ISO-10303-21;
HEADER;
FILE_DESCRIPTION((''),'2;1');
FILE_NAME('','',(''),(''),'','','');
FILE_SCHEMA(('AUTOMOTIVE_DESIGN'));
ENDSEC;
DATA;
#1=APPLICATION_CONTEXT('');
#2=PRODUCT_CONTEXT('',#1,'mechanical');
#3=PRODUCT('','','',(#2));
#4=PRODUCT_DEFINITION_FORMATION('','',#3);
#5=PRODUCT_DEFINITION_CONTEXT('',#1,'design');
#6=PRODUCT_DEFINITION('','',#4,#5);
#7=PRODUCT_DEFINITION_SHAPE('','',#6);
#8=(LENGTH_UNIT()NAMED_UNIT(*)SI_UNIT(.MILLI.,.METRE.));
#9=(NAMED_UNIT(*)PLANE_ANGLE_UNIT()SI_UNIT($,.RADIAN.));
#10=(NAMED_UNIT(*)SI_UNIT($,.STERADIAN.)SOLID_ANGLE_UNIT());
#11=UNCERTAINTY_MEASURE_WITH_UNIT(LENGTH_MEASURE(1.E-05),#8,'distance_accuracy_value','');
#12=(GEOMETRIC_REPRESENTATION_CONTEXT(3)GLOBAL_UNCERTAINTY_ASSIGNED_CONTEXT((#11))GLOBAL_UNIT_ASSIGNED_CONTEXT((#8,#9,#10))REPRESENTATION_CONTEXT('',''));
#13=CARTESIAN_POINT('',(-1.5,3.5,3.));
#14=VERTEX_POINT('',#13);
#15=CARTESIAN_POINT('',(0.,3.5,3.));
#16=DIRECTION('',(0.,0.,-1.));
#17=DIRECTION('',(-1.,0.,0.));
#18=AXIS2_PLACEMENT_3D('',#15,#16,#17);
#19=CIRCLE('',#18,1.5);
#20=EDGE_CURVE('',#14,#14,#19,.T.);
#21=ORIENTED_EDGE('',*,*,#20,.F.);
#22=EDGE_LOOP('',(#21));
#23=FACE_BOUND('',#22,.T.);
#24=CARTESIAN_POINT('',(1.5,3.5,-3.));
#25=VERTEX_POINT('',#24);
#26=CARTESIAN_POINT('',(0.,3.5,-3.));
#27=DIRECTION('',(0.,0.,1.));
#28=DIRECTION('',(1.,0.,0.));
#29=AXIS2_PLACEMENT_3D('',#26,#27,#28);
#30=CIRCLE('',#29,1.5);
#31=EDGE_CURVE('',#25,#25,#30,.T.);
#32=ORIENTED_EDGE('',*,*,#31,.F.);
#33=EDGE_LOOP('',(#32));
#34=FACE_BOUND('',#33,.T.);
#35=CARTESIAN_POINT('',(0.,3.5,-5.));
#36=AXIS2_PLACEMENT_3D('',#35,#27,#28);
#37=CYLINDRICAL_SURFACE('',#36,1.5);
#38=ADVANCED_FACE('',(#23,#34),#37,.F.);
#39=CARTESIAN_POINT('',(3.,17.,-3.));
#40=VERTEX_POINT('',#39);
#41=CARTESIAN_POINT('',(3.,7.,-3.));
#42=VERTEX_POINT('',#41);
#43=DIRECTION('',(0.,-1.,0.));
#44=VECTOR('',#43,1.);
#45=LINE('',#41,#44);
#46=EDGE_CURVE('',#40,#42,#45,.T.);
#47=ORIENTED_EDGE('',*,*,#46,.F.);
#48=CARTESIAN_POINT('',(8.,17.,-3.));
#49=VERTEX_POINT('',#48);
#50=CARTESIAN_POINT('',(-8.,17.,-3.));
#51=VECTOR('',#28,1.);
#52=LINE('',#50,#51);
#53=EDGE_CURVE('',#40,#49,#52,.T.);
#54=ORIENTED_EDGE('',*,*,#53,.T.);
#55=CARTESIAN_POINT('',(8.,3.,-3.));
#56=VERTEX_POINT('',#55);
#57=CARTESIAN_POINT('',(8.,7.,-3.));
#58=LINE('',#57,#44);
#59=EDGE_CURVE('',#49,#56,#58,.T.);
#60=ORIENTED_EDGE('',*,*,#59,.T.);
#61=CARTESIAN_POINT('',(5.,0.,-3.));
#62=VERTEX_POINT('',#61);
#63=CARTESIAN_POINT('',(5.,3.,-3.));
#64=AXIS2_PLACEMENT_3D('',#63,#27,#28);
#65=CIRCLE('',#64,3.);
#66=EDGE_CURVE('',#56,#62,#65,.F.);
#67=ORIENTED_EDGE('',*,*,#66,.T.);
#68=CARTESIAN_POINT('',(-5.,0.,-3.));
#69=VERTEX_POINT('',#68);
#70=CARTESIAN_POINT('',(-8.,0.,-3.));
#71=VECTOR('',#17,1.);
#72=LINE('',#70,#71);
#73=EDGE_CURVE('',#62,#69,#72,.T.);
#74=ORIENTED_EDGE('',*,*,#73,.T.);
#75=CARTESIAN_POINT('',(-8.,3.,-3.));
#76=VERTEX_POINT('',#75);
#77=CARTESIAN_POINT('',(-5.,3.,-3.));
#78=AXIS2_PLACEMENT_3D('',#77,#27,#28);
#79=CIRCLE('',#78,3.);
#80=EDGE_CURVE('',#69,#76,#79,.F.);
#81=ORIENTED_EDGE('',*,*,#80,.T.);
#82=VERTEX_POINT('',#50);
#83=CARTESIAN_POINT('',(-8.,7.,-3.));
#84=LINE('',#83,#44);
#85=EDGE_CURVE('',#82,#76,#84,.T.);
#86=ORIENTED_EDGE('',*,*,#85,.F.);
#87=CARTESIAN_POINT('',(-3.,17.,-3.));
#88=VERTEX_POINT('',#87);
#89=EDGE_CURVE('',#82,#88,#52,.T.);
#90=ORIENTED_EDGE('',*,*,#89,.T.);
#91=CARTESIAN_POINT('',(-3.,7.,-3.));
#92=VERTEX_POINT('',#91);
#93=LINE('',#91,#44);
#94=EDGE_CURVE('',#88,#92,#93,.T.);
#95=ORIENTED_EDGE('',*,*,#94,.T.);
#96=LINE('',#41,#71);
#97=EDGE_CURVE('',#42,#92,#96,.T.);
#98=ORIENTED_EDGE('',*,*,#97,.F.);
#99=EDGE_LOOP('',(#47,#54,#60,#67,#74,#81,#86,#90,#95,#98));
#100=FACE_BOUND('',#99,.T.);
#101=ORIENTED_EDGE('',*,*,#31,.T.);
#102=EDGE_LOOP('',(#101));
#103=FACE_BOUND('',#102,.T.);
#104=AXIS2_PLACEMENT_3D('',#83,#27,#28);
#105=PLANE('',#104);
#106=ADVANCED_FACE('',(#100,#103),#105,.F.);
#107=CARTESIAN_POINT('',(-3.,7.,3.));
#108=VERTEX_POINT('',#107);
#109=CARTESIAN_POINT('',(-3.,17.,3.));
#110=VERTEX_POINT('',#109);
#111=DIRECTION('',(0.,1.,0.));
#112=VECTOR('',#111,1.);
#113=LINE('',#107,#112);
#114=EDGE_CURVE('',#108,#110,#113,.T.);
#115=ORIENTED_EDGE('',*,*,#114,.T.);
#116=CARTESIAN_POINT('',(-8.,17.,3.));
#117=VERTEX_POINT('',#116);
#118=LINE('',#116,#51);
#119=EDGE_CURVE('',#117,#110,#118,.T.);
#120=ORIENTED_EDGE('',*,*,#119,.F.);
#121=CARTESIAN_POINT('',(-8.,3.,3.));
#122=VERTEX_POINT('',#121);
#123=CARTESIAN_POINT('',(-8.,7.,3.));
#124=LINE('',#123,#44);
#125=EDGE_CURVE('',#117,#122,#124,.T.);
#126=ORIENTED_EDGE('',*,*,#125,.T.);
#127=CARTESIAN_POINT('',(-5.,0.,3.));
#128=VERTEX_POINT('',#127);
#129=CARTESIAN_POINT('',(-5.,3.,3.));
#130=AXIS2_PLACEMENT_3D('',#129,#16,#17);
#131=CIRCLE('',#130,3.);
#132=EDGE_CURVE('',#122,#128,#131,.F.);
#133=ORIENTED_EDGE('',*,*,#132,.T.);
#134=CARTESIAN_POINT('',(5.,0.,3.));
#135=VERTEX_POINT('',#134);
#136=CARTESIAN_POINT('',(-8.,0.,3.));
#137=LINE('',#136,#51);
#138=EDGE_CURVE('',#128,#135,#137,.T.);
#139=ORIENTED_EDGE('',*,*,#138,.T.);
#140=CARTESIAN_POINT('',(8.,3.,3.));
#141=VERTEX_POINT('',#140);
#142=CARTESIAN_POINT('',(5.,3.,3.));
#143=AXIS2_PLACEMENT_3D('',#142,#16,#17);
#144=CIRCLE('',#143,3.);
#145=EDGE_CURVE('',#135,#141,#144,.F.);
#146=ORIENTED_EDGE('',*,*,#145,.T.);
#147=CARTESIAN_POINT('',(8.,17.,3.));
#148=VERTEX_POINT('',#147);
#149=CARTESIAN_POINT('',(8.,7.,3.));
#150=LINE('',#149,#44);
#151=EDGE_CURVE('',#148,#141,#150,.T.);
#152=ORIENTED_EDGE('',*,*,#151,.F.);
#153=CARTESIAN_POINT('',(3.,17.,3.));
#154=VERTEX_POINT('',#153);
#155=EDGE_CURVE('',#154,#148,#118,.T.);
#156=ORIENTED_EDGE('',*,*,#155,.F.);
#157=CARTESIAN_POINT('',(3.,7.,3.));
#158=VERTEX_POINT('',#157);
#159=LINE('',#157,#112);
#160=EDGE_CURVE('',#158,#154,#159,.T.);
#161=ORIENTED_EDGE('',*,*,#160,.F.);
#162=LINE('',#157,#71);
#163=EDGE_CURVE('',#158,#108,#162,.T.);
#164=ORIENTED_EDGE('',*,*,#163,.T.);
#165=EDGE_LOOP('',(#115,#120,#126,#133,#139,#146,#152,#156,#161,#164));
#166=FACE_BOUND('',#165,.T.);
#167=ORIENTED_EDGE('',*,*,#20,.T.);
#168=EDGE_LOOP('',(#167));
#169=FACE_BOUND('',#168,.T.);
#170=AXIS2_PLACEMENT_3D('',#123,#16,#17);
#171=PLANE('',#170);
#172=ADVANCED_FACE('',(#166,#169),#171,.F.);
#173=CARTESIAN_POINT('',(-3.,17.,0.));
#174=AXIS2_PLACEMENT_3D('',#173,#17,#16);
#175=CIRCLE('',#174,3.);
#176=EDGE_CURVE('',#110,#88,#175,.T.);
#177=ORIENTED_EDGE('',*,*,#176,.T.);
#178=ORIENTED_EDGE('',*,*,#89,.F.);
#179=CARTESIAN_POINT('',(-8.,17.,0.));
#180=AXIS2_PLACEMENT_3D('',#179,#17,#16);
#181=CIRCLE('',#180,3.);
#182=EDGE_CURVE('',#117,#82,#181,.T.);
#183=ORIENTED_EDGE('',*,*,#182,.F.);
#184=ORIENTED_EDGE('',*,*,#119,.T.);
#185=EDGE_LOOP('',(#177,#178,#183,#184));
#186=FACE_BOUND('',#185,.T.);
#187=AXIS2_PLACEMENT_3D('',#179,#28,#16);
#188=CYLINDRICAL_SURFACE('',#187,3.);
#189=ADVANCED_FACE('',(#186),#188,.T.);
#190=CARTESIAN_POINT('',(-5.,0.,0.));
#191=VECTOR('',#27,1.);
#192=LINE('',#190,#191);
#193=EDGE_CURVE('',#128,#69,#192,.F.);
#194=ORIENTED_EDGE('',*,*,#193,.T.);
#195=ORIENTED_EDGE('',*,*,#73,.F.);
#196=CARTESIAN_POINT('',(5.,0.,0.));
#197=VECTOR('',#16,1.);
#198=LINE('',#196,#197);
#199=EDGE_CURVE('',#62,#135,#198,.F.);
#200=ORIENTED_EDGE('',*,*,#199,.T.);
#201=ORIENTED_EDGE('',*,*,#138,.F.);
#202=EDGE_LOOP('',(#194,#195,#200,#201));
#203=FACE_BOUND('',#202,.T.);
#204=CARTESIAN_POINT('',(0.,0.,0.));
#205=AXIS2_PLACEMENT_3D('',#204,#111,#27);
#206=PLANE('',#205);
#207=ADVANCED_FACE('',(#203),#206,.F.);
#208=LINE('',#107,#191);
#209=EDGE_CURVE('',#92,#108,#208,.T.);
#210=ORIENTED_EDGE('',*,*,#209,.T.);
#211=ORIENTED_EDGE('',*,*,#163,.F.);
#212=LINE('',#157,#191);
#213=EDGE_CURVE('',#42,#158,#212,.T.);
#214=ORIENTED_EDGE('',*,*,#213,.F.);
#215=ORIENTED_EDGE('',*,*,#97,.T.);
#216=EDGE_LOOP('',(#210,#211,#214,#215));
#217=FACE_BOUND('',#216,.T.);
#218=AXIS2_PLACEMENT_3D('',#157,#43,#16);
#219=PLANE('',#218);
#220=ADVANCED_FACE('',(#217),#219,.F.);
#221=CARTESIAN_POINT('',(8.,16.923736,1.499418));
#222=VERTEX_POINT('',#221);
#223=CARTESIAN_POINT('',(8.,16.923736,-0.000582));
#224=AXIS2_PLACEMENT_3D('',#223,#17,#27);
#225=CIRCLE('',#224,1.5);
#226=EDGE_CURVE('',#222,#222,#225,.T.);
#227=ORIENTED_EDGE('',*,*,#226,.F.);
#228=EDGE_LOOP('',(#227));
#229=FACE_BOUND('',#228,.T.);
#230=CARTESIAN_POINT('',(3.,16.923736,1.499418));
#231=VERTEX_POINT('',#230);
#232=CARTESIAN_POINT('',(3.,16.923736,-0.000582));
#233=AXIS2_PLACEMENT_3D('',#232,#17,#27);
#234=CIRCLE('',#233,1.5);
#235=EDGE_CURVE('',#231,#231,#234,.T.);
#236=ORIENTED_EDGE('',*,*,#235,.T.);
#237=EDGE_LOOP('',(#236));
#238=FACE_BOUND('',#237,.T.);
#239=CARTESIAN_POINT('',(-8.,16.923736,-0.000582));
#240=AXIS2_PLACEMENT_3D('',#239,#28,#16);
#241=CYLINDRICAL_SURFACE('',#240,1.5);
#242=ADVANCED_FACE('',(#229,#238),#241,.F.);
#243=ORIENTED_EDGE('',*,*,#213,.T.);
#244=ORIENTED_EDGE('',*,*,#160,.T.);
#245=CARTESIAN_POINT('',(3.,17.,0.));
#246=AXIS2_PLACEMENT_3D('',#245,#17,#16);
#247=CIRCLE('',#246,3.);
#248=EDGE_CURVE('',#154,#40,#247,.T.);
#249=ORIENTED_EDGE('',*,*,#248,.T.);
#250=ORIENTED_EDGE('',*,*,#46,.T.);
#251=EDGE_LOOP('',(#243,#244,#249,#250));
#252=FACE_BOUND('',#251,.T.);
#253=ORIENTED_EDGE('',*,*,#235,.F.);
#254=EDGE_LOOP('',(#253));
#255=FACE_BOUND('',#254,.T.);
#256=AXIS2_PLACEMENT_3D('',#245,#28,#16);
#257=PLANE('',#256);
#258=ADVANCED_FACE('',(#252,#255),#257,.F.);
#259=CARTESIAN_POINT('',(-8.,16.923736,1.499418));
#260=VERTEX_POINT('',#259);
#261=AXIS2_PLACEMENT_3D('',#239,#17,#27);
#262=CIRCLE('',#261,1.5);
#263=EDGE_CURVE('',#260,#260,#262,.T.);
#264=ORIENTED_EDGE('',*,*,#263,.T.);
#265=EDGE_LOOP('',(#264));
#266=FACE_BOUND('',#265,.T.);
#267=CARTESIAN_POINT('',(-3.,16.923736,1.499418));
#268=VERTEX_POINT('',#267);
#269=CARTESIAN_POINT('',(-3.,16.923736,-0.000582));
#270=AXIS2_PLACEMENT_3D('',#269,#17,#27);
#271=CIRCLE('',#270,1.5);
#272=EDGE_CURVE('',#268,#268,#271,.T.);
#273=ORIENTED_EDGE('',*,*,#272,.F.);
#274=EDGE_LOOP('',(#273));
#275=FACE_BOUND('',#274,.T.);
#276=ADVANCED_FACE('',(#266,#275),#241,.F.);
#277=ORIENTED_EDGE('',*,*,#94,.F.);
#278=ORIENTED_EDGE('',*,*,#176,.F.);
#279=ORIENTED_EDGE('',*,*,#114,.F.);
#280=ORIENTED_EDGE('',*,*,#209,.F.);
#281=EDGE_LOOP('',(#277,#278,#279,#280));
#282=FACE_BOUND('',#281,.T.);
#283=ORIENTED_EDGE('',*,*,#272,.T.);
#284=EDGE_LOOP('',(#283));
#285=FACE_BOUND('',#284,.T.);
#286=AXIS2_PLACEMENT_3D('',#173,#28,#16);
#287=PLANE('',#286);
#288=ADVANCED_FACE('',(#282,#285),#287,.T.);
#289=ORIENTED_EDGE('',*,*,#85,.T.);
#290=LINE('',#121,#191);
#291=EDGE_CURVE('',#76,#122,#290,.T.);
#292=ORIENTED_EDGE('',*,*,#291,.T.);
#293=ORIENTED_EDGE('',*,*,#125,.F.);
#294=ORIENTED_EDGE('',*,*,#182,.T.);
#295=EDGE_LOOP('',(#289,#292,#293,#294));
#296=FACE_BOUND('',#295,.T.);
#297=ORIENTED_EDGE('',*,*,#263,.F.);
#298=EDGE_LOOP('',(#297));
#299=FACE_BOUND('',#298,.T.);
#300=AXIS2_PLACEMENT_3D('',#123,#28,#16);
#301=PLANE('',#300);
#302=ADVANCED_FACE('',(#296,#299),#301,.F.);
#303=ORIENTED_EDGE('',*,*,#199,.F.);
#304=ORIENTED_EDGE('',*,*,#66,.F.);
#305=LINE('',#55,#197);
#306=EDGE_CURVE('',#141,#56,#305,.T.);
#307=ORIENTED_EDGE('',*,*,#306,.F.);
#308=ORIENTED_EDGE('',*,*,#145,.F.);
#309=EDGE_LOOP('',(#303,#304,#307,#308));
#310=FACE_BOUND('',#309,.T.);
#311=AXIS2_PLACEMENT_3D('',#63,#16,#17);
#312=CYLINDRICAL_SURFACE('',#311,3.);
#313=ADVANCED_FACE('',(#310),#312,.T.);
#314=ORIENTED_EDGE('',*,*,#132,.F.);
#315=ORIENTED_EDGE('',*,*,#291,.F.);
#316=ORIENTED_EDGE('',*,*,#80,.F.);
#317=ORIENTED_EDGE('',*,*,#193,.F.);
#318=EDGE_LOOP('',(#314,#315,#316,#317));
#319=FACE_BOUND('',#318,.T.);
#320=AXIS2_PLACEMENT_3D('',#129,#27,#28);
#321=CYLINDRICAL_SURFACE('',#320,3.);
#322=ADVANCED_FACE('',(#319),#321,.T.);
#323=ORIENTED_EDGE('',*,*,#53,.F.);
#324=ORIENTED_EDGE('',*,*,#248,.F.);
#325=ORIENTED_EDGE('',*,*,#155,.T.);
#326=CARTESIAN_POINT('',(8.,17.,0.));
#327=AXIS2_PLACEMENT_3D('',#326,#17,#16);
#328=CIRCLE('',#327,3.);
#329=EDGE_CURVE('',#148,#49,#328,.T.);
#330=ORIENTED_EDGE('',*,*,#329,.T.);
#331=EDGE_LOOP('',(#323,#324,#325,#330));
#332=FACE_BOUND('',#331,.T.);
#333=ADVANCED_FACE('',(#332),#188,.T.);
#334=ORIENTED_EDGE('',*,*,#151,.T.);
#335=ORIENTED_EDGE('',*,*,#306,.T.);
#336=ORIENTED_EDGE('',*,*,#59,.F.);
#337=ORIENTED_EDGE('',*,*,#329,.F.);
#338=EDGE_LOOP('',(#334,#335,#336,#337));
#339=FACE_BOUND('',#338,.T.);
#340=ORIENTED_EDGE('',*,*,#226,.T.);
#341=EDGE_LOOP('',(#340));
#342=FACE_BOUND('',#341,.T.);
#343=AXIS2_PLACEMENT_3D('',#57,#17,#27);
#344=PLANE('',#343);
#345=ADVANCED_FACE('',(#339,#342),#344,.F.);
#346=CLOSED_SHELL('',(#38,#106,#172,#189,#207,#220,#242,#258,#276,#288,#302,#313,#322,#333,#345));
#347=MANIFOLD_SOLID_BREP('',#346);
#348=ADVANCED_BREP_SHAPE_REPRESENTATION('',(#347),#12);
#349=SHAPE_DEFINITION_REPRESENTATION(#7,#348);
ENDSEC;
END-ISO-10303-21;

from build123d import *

# Parameters (mm, degrees)
SKETCH_1_W          = 16
SKETCH_1_H          = 6
EXTRUDE_1_DEPTH     = 7
SKETCH_3_R          = 1.5
EXTRUDE_2_DEPTH     = 8
SKETCH_3_2_R        = 1.5
CUT_EXTRUDE_2_DEPTH = 3
SKETCH_9_R          = 1.5
CUT_EXTRUDE_3_DEPTH = 10
FILLET_4_R          = 3
FILLET_5_R          = 3


with BuildPart() as part:
    # 草图1 → 凸台-拉伸1 (new body)
    with BuildSketch(Plane(origin=(0, 0, 0), x_dir=(1, 0, 0), z_dir=(0, 1, 0))):
        Rectangle(SKETCH_1_W, SKETCH_1_H)
    extrude(amount=EXTRUDE_1_DEPTH)

    # 草图3 → 凸台-拉伸2 (add, symmetric)
    with BuildSketch(Plane.ZY):
        with BuildLine():
            Line((3, 7), (-3, 7))
            Line((-3, 7), (-3, 17))
            ThreePointArc((-3, 17), (0, 20), (3, 17))
            Line((3, 17), (3, 7))
        make_face()
        with Locations((-0.000581651, 16.923736161)):
            Circle(SKETCH_3_R, mode=Mode.SUBTRACT)
    extrude(amount=EXTRUDE_2_DEPTH, both=True)

    # 草图3<2> → 切除-拉伸2 (cut, symmetric)
    with BuildSketch(Plane.ZY):
        with BuildLine():
            Line((3, 7), (-3, 7))
            Line((-3, 7), (-3, 17))
            ThreePointArc((-3, 17), (0, 20), (3, 17))
            Line((3, 17), (3, 7))
        make_face()
        with Locations((-0.000581651, 16.923736161)):
            Circle(SKETCH_3_2_R, mode=Mode.SUBTRACT)
    extrude(amount=CUT_EXTRUDE_2_DEPTH, both=True, mode=Mode.SUBTRACT)

    # 草图9 → 切除-拉伸3 (cut)
    with BuildSketch(Plane.XY.offset(5)):
        with Locations((0, 3.5)):
            Circle(SKETCH_9_R)
    extrude(amount=-CUT_EXTRUDE_3_DEPTH, mode=Mode.SUBTRACT)

    # 圆角4
    fillet_4_edges = [part.edges().sort_by_distance(p)[0] for p in [
        (8, 0, 0),
    ]]
    fillet(fillet_4_edges, radius=FILLET_4_R)

    # 圆角5
    fillet_5_edges = [part.edges().sort_by_distance(p)[0] for p in [
        (-8, 0, 0),
    ]]
    fillet(fillet_5_edges, radius=FILLET_5_R)


solid = part.part
